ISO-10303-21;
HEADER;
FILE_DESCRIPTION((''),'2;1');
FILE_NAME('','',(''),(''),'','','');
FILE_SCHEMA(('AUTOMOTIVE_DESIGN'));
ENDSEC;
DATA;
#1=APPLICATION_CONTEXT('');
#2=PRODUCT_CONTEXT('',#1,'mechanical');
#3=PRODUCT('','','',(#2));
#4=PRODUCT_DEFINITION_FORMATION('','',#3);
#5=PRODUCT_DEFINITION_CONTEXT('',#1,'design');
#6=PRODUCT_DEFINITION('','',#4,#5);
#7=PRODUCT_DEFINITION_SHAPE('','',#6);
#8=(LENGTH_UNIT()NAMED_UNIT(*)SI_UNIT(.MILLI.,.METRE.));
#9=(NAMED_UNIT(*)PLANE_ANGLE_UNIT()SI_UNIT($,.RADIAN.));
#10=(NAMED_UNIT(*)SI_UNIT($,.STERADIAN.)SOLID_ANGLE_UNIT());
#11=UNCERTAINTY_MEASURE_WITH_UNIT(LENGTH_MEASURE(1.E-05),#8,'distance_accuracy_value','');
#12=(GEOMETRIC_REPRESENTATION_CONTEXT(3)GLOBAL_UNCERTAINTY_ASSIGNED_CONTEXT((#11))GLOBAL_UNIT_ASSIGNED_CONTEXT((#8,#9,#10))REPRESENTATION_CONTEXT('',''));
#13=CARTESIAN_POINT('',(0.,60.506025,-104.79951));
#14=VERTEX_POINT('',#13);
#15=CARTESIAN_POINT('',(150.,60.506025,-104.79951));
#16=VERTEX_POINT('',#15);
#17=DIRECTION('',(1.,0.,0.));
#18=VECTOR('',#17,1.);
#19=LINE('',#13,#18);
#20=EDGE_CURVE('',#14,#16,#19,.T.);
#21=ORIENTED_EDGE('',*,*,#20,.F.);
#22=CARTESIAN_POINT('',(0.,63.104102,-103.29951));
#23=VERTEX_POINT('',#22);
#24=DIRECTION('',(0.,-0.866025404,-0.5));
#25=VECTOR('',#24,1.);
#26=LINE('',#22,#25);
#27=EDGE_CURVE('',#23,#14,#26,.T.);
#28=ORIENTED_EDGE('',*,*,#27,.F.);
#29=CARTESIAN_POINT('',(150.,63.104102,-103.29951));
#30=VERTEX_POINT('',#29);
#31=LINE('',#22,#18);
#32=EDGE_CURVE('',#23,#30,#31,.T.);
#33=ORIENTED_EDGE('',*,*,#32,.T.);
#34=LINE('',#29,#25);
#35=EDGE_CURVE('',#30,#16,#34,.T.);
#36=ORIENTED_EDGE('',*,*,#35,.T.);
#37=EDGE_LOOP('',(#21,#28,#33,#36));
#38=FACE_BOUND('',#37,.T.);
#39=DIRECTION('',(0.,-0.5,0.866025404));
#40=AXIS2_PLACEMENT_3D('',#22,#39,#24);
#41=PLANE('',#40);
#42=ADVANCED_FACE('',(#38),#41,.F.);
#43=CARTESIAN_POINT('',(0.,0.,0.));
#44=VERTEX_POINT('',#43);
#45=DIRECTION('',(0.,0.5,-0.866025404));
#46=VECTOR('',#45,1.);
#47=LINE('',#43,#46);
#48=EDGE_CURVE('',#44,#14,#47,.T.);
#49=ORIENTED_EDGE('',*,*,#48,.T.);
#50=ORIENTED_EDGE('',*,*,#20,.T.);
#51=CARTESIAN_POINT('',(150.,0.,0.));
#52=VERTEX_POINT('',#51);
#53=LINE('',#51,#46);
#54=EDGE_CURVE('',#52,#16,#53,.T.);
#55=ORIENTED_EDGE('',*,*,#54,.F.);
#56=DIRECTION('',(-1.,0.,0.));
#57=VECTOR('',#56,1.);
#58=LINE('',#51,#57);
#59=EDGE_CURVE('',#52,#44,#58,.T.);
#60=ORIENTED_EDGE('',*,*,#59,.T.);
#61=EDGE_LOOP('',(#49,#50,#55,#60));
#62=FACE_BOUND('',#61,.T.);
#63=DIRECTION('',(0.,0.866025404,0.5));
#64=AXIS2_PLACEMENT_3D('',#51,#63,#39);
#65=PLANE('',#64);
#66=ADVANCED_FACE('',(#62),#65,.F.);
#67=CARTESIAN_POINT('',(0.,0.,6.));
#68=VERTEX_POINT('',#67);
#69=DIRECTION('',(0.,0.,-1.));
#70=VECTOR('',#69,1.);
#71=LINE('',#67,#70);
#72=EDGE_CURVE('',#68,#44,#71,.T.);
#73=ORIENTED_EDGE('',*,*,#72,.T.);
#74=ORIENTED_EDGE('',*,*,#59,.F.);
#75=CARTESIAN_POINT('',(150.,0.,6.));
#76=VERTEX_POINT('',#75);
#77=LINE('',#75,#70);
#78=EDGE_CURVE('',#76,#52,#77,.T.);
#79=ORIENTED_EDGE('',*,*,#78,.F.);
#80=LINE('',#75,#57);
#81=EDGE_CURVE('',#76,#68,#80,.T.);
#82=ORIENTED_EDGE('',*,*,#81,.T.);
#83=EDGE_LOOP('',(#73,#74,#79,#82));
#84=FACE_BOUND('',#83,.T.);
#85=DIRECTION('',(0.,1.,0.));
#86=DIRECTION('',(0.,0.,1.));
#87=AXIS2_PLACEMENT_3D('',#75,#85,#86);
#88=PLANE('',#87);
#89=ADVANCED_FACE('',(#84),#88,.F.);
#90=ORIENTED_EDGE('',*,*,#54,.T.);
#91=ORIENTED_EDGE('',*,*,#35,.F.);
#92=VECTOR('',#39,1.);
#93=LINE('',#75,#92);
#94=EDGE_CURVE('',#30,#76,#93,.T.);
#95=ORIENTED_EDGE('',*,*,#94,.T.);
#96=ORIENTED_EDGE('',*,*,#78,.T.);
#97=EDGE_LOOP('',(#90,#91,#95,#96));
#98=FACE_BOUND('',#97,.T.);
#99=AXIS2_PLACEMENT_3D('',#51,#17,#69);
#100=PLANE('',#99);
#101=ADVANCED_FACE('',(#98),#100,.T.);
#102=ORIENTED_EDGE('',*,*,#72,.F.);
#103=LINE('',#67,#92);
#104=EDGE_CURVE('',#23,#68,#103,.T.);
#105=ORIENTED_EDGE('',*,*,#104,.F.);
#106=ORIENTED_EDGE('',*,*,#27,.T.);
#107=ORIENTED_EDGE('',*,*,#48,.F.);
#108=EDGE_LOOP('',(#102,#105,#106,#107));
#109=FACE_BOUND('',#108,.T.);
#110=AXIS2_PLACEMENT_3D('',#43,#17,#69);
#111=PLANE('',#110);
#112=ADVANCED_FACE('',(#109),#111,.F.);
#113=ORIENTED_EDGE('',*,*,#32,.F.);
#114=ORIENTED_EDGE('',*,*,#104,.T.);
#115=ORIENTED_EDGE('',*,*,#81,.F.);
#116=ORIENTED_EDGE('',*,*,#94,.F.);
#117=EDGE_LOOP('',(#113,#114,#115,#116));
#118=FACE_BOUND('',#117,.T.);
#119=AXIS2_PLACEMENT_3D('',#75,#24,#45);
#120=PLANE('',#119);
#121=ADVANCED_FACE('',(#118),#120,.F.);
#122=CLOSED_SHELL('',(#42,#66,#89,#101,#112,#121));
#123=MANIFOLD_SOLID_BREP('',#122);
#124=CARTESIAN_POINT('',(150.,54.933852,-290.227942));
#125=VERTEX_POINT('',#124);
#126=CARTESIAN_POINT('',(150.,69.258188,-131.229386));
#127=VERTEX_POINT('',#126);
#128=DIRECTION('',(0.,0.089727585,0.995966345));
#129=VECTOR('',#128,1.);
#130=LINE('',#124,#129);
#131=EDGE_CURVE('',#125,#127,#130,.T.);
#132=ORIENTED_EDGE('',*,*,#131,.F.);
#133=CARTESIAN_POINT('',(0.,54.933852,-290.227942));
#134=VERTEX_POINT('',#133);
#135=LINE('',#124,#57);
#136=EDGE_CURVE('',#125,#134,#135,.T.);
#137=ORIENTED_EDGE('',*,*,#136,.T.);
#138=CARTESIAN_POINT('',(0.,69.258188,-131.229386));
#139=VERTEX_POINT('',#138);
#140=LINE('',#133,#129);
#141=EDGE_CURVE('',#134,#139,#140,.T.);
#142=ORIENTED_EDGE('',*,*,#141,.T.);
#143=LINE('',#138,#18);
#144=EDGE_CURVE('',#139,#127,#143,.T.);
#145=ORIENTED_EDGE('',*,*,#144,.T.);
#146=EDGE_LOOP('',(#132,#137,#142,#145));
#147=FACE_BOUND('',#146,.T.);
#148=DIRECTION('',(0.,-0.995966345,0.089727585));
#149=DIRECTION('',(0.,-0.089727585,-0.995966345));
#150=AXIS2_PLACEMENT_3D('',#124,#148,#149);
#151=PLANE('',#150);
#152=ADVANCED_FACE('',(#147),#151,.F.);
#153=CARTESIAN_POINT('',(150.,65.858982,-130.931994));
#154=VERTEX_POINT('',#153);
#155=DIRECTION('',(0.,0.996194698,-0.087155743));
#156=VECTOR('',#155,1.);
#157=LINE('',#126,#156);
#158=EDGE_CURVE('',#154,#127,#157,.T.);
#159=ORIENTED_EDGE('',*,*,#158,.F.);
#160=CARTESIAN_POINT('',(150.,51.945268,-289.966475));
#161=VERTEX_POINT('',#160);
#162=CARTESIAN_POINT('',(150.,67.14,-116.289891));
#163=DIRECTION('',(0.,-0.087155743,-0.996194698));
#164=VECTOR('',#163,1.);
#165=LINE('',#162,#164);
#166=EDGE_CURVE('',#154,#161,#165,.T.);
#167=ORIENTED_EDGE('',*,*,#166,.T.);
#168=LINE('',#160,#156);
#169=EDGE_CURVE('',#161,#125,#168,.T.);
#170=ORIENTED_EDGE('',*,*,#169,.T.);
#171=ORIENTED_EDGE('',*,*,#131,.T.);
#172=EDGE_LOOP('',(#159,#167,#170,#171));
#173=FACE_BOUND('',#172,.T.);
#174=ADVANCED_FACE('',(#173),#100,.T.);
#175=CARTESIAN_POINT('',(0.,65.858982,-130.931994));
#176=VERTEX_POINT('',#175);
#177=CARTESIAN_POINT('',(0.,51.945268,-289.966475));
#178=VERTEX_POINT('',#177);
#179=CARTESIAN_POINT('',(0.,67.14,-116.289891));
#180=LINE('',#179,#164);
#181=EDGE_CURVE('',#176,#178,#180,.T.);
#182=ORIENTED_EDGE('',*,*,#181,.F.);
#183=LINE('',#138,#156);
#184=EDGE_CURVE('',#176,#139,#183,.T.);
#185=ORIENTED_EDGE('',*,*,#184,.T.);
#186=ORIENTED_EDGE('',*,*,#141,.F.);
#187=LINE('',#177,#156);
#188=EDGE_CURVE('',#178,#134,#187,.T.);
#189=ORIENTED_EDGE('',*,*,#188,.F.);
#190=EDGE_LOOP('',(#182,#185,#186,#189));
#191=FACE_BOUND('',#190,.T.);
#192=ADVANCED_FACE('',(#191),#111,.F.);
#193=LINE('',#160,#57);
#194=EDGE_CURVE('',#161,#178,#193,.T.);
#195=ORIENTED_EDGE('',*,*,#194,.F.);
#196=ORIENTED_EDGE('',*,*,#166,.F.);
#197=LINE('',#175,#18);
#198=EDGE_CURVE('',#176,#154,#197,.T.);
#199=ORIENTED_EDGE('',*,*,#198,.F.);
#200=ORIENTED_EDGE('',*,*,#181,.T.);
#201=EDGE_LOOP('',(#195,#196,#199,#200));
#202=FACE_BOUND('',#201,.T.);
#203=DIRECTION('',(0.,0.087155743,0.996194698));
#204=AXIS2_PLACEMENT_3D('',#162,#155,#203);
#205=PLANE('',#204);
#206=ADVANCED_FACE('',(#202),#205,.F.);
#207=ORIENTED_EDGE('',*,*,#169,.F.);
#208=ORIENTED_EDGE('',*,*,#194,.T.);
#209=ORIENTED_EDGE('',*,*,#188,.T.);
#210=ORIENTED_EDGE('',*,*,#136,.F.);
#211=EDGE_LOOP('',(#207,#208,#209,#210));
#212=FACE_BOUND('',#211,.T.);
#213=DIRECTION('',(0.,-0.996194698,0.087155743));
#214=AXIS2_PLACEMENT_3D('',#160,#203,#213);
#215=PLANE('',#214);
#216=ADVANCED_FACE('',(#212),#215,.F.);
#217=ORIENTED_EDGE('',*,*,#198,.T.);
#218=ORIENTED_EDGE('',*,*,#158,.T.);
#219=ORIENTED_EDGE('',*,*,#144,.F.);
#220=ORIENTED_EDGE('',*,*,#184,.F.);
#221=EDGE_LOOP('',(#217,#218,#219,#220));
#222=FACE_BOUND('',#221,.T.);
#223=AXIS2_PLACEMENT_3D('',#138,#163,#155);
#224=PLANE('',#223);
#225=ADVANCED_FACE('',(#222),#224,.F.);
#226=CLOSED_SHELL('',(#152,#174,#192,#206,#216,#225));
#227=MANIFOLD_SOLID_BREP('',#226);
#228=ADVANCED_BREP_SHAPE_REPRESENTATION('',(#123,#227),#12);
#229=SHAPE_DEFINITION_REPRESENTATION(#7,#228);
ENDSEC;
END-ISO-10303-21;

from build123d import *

# Parameters (mm, degrees)
BOSS_EXTRUDE1_DEPTH = 150
CUT_EXTRUDE1_DEPTH  = 335.241226584


with BuildPart() as part:
    # Sketch1 → Boss-Extrude1 (new body)
    with BuildSketch(Plane(origin=(0, 0, 0), x_dir=(0, 0, -1), z_dir=(1, 0, 0))):
        Polygon((0, 0), (116.28989122, 67.14), (289.966474885, 51.945267809), (290.227942114, 54.933851904), (116.28989122, 70.604101615), (-6, 0), align=None)
    extrude(amount=BOSS_EXTRUDE1_DEPTH)

    # Sketch4 → Cut-Extrude1 (cut, through all)
    with BuildSketch(Plane(origin=(150, 0, 0), x_dir=(0, 0, -1), z_dir=(1, 0, 0))):
        Polygon((103.299510163, 63.104101615), (104.799510163, 60.506025404), (116.28989122, 67.14), (130.931994417, 65.85898196), (131.229386395, 69.258187833), (116.28989122, 70.604101615), align=None)
    extrude(amount=-CUT_EXTRUDE1_DEPTH, mode=Mode.SUBTRACT)


with BuildPart() as cut_extrude1_piece_1:
    # of the separate pieces the step leaves, piece 1, a body of its own (cut_extrude1_pieces)
    add(part.part.solids().sort_by_distance((0, 65.85898196, -130.931994417))[0])


with BuildPart() as cut_extrude1_piece_2:
    # of the separate pieces the step leaves, piece 2, a body of its own (cut_extrude1_pieces)
    add(part.part.solids().sort_by_distance((0, 0, 0))[0])


solid = Compound([cut_extrude1_piece_1.part, cut_extrude1_piece_2.part])
